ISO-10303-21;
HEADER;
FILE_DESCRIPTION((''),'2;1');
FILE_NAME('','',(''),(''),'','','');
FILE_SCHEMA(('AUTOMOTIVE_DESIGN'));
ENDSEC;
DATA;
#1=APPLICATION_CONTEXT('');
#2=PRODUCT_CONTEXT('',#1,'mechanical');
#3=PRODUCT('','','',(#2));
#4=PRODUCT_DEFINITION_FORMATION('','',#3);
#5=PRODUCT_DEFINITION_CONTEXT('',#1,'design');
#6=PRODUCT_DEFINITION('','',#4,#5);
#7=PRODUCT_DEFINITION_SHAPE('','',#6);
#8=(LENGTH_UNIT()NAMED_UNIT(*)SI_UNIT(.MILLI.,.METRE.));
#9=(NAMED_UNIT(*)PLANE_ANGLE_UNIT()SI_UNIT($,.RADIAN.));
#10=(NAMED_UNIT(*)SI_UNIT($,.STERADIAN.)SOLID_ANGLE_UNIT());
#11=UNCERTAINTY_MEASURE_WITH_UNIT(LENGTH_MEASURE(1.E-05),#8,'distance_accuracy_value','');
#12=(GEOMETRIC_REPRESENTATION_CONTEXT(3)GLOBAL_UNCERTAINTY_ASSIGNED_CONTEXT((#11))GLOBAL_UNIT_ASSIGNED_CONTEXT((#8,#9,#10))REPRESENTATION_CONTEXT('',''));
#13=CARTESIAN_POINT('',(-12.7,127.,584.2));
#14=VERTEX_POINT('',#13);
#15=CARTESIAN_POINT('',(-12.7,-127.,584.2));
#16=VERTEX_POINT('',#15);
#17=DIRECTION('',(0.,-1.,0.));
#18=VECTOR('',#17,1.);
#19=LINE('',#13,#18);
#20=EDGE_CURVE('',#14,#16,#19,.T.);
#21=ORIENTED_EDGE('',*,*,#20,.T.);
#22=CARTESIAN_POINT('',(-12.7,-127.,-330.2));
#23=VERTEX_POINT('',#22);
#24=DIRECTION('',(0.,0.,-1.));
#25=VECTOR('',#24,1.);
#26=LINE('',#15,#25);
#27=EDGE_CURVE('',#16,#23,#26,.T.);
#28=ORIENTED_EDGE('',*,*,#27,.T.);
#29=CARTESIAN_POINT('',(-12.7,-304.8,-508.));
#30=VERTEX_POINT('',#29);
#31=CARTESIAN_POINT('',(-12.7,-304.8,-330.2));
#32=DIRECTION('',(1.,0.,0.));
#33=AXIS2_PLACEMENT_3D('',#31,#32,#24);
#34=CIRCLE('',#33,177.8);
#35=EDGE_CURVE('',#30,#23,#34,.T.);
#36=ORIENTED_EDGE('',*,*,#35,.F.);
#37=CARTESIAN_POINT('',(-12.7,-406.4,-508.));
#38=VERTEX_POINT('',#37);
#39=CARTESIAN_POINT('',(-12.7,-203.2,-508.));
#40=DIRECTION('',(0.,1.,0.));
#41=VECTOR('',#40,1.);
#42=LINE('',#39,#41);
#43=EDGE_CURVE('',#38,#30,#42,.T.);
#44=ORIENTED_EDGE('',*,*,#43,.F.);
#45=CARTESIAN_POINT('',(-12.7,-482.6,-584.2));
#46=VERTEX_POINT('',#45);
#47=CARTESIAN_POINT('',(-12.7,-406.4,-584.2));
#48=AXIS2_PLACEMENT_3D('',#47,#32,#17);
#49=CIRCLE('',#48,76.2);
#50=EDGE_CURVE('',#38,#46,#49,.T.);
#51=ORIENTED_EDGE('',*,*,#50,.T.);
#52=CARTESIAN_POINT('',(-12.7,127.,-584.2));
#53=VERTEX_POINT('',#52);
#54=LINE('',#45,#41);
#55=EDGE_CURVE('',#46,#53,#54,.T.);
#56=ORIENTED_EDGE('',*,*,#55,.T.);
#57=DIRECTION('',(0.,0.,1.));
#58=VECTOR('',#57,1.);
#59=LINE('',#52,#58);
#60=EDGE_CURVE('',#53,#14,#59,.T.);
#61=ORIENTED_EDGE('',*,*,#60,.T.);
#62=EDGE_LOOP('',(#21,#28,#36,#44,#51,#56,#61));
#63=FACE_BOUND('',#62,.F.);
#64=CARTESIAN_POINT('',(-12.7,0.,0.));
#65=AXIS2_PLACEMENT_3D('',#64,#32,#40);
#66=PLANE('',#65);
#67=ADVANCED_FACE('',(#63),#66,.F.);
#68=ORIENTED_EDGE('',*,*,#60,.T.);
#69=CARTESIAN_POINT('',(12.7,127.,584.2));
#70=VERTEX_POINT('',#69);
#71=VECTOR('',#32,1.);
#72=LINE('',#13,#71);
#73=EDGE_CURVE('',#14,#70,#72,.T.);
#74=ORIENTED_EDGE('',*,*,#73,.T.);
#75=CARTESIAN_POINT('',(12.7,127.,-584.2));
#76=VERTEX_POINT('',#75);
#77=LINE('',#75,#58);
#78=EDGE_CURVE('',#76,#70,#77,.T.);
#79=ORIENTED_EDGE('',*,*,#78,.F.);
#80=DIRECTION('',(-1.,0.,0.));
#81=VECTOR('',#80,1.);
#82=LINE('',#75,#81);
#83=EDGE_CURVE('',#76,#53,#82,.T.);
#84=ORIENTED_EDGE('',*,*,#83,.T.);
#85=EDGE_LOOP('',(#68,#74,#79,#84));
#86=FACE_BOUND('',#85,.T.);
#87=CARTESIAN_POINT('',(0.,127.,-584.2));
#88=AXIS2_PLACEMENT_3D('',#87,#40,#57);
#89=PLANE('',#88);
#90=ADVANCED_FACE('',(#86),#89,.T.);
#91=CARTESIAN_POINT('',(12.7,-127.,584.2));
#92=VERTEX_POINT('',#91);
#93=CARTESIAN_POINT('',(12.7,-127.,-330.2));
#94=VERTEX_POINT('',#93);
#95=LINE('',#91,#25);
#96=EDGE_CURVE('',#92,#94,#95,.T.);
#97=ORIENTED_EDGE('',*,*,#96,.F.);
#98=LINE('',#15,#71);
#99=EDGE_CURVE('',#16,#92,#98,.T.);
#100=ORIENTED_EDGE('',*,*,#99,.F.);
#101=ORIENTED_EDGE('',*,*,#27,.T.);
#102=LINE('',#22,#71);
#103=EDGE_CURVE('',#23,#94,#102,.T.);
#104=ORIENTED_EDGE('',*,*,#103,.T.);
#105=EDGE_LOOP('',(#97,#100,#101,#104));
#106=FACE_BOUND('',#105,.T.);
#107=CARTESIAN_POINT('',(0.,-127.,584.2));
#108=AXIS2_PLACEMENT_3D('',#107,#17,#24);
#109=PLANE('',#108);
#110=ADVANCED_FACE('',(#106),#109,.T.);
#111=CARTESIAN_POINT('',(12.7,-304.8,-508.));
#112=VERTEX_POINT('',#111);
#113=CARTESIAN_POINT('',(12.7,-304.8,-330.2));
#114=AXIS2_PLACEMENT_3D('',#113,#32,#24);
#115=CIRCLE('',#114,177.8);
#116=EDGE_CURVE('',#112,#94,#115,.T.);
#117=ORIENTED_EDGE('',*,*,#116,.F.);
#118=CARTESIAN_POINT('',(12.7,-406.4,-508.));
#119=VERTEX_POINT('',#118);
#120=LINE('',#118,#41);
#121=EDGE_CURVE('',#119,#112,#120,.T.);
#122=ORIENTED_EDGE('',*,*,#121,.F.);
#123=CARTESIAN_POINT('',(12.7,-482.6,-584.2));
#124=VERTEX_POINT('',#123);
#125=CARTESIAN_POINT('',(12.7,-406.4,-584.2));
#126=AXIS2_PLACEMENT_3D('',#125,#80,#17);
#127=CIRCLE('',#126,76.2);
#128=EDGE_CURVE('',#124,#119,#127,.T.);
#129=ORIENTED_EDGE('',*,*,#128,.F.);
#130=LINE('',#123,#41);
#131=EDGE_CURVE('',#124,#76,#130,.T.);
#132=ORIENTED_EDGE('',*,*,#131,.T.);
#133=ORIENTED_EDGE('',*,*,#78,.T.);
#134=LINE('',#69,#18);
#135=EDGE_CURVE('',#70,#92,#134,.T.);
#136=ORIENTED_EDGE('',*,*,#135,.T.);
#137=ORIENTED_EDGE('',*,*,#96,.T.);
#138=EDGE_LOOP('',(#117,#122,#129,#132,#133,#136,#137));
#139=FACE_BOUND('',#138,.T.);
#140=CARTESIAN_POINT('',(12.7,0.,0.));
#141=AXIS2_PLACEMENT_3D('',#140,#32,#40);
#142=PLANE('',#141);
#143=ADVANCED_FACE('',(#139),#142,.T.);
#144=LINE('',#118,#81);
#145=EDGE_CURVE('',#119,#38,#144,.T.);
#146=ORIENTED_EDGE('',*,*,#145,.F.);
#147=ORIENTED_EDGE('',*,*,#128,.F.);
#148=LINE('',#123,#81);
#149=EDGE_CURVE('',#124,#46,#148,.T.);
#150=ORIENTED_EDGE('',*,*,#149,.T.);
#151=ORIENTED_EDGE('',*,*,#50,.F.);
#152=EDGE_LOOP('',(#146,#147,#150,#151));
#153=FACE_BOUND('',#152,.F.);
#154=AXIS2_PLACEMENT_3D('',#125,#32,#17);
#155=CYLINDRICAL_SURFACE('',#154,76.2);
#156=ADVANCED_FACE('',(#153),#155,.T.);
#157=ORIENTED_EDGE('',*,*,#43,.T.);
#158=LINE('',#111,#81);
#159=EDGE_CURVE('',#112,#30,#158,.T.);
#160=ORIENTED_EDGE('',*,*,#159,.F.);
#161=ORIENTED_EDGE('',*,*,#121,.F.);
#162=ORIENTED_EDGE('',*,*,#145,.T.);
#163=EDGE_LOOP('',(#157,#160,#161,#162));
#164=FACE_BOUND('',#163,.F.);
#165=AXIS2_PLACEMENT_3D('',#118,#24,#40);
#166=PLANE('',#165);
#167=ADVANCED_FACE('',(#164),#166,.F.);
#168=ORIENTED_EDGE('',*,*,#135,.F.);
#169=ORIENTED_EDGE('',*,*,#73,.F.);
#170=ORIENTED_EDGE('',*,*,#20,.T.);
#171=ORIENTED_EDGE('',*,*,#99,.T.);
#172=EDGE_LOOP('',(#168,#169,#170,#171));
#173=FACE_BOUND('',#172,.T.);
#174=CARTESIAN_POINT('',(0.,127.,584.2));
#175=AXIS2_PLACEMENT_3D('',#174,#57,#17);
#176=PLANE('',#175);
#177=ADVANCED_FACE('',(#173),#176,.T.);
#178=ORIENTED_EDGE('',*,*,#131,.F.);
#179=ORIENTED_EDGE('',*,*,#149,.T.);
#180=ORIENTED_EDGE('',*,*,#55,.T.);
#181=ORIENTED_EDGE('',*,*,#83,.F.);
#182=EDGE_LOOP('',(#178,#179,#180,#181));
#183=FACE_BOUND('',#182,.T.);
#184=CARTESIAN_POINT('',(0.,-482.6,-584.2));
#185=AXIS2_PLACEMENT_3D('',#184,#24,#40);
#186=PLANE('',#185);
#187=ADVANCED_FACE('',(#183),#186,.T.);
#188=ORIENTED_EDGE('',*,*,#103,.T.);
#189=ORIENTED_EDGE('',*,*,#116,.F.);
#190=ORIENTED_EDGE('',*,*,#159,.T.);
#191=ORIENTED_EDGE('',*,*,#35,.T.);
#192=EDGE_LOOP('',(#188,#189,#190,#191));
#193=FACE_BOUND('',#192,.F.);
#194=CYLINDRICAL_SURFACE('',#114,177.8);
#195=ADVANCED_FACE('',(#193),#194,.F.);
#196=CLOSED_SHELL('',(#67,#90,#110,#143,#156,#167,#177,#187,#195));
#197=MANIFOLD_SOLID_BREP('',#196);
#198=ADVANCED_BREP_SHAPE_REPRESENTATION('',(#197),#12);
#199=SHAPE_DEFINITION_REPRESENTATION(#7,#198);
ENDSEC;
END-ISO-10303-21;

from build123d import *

# Parameters (mm, degrees)
F0_W     = 355.6
F0_H     = 254
F1_DEPTH = 12.7
F3_DEPTH = 25.401


with BuildPart() as f1:
    # F0 (on Right) → F1 (new body, symmetric)
    with BuildSketch(Plane.YZ):
        Polygon((127, -584.2), (127, 584.2), (-127, 584.2), (-127, -330.2), (-127, -584.2), align=None)
        with Locations((-304.8, -457.2)):
            Rectangle(F0_W, F0_H)
    extrude(amount=F1_DEPTH, both=True)

    # F2 (on face) → F3 (cut, through all)
    with BuildSketch(Plane.YZ.offset(12.7)):
        with BuildLine():
            ThreePointArc((-304.8, -508), (-179.076414305, -455.923585695), (-127, -330.2))
            Line((-127, -330.2), (-482.6, -330.2))
            Line((-482.6, -330.2), (-482.6, -584.2))
            ThreePointArc((-482.6, -584.2), (-460.2815367264, -530.3184632736), (-406.4, -508))
            Line((-406.4, -508), (-304.8, -508))
        make_face()
    extrude(amount=-F3_DEPTH, mode=Mode.SUBTRACT)


solid = f1.part
